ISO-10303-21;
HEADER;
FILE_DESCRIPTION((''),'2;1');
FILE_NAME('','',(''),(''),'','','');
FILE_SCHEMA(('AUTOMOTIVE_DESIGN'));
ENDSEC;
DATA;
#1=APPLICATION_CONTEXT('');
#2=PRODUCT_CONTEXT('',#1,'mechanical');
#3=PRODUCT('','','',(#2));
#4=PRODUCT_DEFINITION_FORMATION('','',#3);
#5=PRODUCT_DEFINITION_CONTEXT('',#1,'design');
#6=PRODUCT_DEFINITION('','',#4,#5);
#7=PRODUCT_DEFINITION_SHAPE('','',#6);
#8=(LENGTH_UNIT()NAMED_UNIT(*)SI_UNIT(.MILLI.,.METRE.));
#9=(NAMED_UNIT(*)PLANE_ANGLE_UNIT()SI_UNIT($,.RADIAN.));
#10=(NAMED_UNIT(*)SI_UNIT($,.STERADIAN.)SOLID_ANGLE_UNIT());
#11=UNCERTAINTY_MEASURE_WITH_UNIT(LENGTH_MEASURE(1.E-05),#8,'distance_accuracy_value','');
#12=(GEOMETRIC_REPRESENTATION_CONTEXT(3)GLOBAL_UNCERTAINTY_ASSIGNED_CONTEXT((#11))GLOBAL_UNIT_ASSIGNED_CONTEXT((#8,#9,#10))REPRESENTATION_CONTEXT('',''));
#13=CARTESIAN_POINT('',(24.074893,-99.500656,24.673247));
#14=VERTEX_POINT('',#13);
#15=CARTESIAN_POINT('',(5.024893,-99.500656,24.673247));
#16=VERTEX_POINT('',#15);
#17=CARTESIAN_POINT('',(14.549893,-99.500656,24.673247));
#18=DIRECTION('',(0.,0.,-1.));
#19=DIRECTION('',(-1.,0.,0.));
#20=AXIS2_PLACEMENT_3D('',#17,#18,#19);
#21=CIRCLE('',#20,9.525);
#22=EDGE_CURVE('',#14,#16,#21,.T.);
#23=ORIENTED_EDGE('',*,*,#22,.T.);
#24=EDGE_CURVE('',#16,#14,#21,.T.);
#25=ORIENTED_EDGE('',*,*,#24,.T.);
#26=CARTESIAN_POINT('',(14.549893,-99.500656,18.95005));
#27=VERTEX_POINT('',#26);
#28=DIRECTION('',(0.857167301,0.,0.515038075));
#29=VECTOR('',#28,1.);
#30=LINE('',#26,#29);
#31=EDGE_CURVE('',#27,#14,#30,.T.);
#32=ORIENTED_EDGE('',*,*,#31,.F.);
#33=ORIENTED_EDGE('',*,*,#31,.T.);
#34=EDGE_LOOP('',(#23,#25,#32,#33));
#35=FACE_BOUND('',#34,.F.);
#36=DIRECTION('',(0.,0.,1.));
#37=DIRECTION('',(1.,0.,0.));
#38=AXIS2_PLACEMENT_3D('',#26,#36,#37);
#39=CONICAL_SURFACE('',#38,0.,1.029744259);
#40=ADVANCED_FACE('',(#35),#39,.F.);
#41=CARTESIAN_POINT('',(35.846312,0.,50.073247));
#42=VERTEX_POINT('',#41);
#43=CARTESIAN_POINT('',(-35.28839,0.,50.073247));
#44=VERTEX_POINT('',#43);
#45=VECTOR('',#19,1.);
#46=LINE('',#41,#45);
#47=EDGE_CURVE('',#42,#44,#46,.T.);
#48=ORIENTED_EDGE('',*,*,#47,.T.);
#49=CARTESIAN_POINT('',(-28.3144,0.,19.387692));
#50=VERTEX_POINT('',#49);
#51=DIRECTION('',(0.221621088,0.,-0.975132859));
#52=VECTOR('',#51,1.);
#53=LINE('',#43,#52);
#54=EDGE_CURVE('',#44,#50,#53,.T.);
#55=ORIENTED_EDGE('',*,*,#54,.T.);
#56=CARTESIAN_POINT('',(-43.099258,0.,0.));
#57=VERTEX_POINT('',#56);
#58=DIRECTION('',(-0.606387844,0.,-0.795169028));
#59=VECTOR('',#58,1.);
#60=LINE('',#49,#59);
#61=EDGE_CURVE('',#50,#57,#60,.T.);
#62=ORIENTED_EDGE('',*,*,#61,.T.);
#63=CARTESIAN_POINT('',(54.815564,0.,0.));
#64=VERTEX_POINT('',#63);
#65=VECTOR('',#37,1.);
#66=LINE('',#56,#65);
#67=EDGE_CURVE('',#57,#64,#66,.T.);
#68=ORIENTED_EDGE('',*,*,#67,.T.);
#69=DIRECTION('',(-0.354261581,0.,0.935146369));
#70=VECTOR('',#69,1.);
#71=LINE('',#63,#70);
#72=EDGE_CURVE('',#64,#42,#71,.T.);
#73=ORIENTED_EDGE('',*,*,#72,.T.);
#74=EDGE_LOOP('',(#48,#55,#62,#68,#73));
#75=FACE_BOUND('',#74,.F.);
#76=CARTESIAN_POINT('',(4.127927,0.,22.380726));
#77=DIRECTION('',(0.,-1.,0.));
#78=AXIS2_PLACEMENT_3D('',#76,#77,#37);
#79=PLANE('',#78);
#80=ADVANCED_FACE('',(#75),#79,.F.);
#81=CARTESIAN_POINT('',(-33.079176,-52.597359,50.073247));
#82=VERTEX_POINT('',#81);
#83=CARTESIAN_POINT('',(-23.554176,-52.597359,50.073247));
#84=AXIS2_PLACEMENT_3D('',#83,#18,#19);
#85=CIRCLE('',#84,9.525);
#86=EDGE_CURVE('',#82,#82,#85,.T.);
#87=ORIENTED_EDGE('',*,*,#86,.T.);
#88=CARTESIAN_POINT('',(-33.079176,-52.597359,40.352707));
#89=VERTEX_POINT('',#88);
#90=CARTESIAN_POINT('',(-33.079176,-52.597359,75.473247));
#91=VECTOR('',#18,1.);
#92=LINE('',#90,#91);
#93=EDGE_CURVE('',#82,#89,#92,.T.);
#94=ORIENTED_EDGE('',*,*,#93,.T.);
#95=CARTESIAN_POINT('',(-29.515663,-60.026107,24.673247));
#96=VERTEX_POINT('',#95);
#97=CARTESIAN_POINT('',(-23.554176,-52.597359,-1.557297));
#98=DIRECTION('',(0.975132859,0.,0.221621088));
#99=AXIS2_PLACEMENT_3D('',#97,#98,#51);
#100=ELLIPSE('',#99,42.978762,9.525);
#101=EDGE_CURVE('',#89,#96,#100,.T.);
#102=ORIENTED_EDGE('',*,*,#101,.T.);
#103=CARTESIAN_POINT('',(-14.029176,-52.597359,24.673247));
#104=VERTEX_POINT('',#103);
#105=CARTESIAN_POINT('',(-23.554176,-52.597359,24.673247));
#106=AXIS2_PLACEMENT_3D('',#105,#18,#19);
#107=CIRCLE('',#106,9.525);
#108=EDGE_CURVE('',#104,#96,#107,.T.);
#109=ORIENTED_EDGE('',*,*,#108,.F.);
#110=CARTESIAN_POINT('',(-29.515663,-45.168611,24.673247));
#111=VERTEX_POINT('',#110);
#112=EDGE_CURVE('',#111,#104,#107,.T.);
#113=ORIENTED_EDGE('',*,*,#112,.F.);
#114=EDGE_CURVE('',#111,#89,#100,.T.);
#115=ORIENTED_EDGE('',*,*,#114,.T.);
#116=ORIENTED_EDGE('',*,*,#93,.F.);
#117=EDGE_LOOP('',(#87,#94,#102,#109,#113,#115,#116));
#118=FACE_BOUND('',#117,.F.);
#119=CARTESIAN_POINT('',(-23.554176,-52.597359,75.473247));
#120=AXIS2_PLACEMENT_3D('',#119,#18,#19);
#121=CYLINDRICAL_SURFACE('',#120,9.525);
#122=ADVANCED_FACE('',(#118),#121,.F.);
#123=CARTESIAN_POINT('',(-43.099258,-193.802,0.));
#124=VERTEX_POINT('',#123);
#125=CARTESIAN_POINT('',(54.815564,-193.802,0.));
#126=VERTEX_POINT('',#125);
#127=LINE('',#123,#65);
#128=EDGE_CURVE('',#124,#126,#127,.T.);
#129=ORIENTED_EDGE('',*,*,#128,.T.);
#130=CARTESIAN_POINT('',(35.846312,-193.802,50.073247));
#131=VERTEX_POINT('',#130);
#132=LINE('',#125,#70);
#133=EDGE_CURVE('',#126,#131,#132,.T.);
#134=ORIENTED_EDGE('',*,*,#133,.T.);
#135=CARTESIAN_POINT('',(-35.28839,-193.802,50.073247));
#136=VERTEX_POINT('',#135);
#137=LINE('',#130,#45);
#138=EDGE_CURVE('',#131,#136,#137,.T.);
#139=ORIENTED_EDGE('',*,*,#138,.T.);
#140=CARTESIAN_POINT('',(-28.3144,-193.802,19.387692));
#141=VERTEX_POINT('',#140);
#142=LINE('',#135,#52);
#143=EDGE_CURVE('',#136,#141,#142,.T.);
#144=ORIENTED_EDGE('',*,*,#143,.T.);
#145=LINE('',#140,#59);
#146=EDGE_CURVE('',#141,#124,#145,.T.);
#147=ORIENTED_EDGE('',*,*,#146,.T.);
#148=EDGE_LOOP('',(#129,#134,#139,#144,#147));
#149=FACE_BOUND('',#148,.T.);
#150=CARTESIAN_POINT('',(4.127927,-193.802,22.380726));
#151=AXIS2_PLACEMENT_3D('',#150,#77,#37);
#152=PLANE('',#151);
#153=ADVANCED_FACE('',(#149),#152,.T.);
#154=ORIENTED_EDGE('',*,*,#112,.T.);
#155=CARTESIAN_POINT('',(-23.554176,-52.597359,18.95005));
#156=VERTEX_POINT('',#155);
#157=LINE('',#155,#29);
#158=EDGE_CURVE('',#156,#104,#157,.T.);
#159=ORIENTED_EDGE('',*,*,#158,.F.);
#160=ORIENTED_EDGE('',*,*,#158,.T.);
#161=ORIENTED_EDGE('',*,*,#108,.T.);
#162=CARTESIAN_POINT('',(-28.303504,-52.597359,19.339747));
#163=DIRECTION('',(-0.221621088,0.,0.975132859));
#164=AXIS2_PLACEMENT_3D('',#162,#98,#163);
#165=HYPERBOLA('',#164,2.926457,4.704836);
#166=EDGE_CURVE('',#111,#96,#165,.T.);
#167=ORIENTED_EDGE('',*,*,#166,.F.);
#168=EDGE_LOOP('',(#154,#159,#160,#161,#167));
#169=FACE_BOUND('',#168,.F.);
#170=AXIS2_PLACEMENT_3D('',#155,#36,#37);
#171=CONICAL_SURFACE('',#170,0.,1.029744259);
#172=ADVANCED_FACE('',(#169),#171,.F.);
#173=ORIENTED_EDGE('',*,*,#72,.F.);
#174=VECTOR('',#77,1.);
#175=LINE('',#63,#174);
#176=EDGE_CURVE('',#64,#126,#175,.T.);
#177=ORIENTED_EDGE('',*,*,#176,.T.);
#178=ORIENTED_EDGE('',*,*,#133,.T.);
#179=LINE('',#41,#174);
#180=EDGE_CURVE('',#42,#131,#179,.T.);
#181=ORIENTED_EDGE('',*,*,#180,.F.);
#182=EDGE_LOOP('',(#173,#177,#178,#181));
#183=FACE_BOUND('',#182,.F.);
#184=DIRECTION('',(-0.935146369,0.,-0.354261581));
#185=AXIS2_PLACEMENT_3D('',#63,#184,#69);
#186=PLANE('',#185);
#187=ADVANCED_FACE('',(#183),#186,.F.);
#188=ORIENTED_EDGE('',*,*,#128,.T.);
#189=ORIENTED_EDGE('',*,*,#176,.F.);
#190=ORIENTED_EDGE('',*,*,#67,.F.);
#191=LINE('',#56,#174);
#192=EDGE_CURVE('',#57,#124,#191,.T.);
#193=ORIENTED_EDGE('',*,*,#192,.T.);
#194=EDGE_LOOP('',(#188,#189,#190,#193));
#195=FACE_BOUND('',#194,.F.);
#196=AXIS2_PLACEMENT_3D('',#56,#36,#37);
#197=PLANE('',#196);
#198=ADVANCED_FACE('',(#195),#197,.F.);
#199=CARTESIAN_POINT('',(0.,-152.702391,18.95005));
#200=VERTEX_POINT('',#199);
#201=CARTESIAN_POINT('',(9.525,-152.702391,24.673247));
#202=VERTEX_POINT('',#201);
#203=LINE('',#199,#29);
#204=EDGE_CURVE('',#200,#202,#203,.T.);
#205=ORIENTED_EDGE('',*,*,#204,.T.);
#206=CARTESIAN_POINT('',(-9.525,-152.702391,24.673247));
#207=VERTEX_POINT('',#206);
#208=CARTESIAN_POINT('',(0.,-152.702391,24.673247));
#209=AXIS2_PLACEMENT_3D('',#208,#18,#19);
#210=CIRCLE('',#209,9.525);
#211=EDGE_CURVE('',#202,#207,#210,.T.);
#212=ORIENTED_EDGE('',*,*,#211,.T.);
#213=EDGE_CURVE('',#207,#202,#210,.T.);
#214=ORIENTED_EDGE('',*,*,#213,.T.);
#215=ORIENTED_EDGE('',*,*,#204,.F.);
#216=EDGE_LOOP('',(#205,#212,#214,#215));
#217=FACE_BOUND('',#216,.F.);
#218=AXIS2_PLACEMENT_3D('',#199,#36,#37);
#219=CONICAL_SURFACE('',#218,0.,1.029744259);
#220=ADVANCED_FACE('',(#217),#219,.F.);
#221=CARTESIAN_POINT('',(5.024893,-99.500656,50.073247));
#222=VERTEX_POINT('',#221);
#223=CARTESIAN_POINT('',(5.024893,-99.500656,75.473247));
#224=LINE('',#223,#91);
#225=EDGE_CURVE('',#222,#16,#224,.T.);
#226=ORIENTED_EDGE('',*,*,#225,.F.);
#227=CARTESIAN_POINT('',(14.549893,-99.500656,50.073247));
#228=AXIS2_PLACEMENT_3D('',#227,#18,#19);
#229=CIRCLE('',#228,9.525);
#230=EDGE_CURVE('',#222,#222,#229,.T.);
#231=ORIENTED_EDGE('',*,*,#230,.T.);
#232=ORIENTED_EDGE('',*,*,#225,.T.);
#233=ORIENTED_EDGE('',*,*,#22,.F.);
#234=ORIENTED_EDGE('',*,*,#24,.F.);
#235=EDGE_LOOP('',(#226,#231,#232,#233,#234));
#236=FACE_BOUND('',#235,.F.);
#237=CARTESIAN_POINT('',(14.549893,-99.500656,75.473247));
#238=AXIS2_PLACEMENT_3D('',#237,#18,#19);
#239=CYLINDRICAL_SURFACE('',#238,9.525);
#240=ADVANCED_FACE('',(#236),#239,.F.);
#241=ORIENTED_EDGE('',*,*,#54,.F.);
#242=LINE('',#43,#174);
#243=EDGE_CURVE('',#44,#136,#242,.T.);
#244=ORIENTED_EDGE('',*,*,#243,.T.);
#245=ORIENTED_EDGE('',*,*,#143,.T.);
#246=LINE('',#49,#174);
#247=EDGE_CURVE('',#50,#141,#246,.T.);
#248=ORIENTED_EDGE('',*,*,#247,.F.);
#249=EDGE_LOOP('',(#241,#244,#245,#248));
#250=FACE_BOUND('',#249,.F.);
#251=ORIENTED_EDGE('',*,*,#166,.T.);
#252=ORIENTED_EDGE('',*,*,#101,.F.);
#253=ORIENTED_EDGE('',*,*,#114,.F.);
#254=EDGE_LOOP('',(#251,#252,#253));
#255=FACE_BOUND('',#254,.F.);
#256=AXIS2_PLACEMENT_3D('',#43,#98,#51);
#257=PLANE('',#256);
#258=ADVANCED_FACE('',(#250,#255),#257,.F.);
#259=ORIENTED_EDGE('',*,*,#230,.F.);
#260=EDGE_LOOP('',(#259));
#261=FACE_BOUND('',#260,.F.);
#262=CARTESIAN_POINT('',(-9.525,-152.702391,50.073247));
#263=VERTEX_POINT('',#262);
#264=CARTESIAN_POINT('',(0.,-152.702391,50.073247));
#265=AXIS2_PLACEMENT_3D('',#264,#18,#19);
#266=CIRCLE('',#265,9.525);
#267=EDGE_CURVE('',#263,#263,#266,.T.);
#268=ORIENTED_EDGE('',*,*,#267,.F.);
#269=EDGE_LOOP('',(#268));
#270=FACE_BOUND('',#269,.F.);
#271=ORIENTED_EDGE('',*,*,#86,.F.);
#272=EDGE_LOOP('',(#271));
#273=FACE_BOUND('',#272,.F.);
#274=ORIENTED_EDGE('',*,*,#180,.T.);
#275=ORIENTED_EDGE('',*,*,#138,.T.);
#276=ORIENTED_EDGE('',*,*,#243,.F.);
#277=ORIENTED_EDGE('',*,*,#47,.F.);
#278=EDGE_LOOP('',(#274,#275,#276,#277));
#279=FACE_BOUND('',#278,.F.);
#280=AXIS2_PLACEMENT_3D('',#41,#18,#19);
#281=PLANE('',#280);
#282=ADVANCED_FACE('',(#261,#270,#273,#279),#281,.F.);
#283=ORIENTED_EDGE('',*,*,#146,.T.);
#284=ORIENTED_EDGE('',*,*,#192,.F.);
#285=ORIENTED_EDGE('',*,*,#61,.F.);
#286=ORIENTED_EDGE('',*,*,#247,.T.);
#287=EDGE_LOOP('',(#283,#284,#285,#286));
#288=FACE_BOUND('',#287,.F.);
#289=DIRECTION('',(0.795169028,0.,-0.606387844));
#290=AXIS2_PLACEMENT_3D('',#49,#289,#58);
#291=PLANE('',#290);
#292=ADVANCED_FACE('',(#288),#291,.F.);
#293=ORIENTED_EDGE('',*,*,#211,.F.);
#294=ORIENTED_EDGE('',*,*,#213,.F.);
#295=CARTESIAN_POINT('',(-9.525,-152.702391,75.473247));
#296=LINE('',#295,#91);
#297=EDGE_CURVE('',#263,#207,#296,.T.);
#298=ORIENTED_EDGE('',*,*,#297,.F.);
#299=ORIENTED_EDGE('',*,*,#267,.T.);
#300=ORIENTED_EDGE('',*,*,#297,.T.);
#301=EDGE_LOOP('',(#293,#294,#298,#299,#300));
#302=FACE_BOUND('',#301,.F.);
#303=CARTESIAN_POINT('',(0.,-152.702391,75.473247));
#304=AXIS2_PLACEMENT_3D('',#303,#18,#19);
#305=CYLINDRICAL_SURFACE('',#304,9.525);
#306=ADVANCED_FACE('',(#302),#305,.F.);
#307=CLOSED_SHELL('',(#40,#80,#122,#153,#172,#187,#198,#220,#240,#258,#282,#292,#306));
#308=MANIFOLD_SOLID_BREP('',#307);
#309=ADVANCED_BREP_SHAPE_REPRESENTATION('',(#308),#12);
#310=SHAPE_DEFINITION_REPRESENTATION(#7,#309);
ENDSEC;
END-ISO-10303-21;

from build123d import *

# Parameters (mm, degrees)
F1_DEPTH = 193.802
F3_D     = 19.05
F3_DEPTH = 25.4
F3_TIP   = 5.7231973962


with BuildPart() as f1:
    # F0 (on Front) → F1 (new body)
    with BuildSketch(Plane.XZ):
        Polygon((-28.3144004643, 19.3876922131), (-43.099258095, 0), (54.8155643046, 0), (35.846311599, 50.0732474029), (-35.2883897722, 50.0732474029), align=None)
    extrude(amount=F1_DEPTH)

    # F3
    with Locations(Plane.XY.offset(50.0732474029)):
        with Locations((0, -152.7023911476), (14.5498933271, -99.5006561279), (-23.5541760921, -52.5973588228)):
            Hole(F3_D / 2, depth=F3_DEPTH)
            with Locations((0, 0, -(F3_DEPTH + F3_TIP / 2))):  # 118° drill point
                Cone(0, F3_D / 2, F3_TIP, mode=Mode.SUBTRACT)


solid = f1.part
